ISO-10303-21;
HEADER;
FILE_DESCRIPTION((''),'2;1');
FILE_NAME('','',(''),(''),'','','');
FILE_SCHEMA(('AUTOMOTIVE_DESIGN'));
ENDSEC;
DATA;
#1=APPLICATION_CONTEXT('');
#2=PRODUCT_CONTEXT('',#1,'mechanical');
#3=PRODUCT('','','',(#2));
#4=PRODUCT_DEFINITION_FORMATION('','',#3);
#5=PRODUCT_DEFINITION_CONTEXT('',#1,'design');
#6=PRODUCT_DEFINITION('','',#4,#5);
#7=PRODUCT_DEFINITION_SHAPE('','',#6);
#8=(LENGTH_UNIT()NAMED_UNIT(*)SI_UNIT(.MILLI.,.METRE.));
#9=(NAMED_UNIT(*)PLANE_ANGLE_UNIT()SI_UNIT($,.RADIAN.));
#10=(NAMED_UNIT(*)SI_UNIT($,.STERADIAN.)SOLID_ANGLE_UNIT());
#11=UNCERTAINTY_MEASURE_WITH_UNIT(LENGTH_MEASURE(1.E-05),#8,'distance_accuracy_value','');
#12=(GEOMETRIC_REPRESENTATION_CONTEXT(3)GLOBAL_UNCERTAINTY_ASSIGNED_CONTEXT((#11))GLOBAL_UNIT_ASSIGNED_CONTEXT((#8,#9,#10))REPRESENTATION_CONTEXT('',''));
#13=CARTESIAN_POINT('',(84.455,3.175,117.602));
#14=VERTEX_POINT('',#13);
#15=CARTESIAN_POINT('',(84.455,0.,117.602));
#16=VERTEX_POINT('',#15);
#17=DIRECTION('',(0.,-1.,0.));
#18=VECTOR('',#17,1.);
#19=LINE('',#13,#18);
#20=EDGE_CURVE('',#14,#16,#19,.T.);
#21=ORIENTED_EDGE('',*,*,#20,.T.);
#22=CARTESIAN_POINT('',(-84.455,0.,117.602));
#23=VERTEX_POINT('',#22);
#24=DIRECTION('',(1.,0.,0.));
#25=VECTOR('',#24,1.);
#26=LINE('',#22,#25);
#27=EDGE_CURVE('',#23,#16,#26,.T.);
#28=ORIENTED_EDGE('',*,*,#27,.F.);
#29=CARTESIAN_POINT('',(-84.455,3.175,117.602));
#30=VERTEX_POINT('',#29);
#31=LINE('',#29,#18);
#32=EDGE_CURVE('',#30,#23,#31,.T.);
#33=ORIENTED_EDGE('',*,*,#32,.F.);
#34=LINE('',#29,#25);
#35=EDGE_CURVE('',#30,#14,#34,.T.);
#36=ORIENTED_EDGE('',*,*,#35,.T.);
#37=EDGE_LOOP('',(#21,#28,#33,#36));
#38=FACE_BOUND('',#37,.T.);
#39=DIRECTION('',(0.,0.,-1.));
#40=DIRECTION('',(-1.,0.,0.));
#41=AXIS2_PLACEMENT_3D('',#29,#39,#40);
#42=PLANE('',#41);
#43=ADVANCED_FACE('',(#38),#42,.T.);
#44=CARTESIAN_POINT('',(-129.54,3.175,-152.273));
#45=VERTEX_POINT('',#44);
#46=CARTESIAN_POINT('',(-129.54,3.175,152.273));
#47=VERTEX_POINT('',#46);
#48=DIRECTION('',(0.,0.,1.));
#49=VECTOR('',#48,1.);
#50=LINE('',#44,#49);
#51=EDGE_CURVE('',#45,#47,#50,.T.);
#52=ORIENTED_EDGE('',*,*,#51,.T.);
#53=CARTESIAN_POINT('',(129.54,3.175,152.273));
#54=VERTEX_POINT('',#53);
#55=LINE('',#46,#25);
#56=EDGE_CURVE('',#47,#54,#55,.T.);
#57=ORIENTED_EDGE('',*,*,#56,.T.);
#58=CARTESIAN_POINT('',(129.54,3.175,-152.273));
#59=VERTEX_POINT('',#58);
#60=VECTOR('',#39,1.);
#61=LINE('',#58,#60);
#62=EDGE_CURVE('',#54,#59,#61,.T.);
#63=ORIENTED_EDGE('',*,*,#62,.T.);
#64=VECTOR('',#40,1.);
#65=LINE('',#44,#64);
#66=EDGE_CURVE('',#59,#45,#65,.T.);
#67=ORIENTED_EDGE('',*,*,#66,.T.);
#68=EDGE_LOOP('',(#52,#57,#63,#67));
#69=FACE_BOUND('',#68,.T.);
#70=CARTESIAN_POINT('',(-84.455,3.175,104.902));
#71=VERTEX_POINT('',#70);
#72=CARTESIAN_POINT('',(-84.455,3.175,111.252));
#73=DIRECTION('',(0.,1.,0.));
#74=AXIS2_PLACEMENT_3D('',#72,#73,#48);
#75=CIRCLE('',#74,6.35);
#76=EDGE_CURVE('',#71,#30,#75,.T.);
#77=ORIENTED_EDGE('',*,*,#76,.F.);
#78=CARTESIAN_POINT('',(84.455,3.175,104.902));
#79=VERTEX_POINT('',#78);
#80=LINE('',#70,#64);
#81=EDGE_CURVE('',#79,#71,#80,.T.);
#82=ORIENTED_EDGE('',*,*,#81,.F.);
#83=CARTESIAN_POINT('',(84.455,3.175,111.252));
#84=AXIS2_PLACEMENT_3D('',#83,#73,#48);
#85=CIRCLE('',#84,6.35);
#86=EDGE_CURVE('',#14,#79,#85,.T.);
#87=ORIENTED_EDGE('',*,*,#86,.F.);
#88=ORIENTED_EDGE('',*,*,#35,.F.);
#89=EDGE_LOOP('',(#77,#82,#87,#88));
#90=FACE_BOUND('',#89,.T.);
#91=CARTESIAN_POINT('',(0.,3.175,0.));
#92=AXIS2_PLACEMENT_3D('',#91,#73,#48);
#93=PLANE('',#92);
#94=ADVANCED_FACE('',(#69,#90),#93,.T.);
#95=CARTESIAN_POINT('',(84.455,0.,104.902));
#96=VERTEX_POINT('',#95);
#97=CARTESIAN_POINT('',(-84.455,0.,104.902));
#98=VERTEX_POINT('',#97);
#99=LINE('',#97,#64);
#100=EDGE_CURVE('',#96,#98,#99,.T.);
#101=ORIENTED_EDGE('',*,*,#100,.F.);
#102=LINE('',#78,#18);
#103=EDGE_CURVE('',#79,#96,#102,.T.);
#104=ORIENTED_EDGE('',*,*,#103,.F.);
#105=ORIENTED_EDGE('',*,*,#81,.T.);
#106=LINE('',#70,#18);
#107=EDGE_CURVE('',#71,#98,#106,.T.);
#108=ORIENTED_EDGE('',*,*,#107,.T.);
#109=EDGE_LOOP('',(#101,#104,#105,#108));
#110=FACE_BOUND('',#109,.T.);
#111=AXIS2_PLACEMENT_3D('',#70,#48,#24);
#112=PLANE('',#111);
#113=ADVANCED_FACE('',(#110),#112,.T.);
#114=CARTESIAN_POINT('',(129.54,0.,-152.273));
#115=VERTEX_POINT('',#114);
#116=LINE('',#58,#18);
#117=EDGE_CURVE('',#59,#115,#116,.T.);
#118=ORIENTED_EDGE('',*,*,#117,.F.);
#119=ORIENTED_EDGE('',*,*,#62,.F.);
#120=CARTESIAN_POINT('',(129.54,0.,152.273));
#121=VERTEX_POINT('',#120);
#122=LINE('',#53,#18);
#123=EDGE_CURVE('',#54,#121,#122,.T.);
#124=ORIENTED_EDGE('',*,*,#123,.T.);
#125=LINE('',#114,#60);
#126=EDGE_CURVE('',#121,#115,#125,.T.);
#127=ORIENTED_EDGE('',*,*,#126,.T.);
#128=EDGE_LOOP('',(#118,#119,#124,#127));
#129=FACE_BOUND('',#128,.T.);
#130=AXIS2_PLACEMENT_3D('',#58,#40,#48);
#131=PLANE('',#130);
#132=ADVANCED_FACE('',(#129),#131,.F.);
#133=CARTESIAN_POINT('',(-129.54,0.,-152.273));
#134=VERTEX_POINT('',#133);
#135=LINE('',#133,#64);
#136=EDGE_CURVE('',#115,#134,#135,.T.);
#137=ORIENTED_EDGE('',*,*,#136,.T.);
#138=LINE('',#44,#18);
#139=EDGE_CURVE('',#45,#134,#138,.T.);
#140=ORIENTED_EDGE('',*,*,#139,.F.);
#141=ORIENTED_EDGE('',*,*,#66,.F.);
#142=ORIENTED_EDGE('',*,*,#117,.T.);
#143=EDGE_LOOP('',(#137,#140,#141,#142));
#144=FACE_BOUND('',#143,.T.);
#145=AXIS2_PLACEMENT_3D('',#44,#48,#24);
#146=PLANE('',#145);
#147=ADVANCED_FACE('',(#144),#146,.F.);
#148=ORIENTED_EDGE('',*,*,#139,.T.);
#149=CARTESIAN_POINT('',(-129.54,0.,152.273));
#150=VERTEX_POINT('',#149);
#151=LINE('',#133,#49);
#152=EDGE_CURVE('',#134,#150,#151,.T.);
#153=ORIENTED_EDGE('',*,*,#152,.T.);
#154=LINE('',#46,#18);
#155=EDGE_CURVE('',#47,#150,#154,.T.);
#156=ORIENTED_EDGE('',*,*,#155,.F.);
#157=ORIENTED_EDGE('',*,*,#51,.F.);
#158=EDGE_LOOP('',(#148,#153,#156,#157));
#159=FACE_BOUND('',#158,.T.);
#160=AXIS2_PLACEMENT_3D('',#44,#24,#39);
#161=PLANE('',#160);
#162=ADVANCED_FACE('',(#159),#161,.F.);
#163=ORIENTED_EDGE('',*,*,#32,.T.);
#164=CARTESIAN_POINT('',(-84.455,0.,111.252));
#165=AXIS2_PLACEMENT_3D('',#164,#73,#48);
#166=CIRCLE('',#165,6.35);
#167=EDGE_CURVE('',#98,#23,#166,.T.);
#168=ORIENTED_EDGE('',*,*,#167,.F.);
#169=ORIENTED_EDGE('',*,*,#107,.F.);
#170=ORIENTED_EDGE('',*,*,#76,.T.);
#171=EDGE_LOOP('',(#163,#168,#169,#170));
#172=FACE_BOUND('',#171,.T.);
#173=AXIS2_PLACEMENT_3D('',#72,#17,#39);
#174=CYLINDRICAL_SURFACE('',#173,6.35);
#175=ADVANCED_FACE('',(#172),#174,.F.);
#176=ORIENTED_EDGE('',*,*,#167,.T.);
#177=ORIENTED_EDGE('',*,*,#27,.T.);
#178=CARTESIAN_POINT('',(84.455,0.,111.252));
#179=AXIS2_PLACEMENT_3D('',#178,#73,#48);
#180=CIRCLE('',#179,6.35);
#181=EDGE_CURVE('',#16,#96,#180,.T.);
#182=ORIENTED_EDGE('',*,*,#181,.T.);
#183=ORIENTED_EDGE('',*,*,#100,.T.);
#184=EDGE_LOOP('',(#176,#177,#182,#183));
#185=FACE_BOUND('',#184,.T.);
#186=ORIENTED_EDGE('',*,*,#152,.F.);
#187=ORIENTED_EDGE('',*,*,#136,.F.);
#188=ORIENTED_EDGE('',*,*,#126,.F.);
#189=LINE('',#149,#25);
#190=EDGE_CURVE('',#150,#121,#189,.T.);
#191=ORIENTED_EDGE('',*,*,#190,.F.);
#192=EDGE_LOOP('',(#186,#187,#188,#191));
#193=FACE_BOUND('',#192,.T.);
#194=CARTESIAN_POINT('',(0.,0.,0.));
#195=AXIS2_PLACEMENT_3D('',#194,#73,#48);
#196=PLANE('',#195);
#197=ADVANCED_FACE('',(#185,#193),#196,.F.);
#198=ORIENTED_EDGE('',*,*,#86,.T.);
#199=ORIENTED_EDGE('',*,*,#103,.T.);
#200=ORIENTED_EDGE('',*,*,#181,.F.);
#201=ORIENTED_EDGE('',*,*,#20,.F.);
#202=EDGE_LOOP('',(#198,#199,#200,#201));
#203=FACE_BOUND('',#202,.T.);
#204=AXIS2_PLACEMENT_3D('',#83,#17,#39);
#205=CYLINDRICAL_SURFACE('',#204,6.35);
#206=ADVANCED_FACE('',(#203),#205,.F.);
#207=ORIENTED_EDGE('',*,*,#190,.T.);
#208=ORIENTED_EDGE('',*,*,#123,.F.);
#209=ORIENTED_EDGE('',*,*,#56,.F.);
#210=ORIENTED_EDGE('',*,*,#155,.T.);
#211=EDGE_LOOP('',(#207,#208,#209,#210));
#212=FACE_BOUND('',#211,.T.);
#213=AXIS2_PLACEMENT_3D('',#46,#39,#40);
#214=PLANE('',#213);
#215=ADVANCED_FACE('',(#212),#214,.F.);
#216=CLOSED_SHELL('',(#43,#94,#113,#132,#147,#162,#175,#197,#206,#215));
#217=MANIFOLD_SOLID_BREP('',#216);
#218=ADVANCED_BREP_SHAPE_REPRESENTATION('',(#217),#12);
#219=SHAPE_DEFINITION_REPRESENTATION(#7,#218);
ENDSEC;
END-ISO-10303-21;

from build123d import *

# Parameters (mm, degrees)
SKETCH1_W           = 259.08
SKETCH1_H           = 304.546
BOSS_EXTRUDE1_DEPTH = 3.175


with BuildPart() as part:
    # Sketch1 → Boss-Extrude1 (new body)
    with BuildSketch(Plane(origin=(0, 0, 0), x_dir=(1, 0, 0), z_dir=(0, 1, 0))):
        Rectangle(SKETCH1_W, SKETCH1_H)
        with BuildLine():
            Line((-84.455, -104.902), (84.455, -104.902))
            ThreePointArc((84.455, -104.902), (90.805, -111.252), (84.455, -117.602))
            Line((84.455, -117.602), (-84.455, -117.602))
            ThreePointArc((-84.455, -117.602), (-90.805, -111.252), (-84.455, -104.902))
        make_face(mode=Mode.SUBTRACT)
    extrude(amount=BOSS_EXTRUDE1_DEPTH)


solid = part.part
